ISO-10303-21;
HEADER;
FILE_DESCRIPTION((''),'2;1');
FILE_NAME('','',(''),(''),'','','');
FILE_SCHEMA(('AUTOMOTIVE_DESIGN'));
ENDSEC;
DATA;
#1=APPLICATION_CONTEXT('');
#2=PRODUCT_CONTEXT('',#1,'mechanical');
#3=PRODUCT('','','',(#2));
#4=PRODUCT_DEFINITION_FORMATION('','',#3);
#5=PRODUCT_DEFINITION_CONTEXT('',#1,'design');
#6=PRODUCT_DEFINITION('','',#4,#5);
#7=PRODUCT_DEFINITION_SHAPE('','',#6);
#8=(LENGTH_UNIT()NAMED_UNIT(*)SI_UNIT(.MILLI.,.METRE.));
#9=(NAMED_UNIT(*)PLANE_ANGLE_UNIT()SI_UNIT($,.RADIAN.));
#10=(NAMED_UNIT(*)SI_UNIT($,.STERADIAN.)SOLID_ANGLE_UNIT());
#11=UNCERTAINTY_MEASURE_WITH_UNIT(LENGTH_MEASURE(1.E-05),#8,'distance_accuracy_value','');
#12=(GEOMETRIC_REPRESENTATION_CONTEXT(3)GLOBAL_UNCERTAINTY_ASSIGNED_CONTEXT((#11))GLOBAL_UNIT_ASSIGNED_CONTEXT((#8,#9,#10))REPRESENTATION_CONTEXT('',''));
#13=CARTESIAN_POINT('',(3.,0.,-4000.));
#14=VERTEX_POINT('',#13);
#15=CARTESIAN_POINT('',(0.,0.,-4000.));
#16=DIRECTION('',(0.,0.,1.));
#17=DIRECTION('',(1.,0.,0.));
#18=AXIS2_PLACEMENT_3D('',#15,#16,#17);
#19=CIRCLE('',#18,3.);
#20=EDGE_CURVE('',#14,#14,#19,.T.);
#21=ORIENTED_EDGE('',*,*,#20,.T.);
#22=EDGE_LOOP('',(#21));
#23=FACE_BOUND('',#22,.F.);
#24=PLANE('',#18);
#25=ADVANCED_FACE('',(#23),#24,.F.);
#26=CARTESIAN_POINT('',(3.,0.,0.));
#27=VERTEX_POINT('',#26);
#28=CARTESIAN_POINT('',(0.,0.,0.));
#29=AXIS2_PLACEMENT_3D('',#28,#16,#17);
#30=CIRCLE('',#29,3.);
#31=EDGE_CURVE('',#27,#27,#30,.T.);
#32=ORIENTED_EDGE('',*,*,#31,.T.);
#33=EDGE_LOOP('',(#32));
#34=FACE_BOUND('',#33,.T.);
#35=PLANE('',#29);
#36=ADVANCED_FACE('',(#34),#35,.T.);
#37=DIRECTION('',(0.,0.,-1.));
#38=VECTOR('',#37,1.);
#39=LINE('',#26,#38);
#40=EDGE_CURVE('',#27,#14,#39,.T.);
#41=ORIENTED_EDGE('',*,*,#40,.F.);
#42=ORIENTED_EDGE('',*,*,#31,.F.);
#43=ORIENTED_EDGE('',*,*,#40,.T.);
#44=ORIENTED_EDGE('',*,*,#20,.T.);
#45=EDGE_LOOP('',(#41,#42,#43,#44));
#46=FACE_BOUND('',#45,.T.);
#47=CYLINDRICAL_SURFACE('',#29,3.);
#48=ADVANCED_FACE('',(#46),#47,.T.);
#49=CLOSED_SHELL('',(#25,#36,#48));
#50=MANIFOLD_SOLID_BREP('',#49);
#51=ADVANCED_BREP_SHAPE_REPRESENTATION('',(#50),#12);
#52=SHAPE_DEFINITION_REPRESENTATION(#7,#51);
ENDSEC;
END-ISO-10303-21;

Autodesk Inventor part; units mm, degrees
ref_plane "YZ Plane" through (0, 0, 0) normal (1, 0, 0) x (0, 1, 0)
ref_plane "XZ Plane" through (0, 0, 0) normal (0, 1, 0) x (-1, 0, 0)
ref_plane "XY Plane" through (0, 0, 0) normal (0, 0, 1) x (1, 0, 0)
sketch "Sketch1" plane through (0, 0, 0) normal (0, 0, 1) x (1, 0, 0)
  circle A0 centre (0, 0) radius 3
  dimension "d0" = 6
extrude "Extrusion1" add sketch "Sketch1" against normal blind 4000
ref_plane "Side1" through (1, 0, 0) normal (-1, 0, 0) x (0, -1, 0)
ref_plane "T-Slot1" through (0, 0, 0) normal (0, 1, 0) x (0, 0, -1)
ref_plane "Side2" through (-3, 0, 0) normal (-1, 0, 0) x (0, -1, 0)
ref_plane "Side3" through (0, -3, 0) normal (0, -1, 0) x (1, 0, 0)
equation "\"d1\" = Ex_Length"
equation "\"Ex_Length\" = 4000"
properties part number "13-505" material "Acciaio dolce"
